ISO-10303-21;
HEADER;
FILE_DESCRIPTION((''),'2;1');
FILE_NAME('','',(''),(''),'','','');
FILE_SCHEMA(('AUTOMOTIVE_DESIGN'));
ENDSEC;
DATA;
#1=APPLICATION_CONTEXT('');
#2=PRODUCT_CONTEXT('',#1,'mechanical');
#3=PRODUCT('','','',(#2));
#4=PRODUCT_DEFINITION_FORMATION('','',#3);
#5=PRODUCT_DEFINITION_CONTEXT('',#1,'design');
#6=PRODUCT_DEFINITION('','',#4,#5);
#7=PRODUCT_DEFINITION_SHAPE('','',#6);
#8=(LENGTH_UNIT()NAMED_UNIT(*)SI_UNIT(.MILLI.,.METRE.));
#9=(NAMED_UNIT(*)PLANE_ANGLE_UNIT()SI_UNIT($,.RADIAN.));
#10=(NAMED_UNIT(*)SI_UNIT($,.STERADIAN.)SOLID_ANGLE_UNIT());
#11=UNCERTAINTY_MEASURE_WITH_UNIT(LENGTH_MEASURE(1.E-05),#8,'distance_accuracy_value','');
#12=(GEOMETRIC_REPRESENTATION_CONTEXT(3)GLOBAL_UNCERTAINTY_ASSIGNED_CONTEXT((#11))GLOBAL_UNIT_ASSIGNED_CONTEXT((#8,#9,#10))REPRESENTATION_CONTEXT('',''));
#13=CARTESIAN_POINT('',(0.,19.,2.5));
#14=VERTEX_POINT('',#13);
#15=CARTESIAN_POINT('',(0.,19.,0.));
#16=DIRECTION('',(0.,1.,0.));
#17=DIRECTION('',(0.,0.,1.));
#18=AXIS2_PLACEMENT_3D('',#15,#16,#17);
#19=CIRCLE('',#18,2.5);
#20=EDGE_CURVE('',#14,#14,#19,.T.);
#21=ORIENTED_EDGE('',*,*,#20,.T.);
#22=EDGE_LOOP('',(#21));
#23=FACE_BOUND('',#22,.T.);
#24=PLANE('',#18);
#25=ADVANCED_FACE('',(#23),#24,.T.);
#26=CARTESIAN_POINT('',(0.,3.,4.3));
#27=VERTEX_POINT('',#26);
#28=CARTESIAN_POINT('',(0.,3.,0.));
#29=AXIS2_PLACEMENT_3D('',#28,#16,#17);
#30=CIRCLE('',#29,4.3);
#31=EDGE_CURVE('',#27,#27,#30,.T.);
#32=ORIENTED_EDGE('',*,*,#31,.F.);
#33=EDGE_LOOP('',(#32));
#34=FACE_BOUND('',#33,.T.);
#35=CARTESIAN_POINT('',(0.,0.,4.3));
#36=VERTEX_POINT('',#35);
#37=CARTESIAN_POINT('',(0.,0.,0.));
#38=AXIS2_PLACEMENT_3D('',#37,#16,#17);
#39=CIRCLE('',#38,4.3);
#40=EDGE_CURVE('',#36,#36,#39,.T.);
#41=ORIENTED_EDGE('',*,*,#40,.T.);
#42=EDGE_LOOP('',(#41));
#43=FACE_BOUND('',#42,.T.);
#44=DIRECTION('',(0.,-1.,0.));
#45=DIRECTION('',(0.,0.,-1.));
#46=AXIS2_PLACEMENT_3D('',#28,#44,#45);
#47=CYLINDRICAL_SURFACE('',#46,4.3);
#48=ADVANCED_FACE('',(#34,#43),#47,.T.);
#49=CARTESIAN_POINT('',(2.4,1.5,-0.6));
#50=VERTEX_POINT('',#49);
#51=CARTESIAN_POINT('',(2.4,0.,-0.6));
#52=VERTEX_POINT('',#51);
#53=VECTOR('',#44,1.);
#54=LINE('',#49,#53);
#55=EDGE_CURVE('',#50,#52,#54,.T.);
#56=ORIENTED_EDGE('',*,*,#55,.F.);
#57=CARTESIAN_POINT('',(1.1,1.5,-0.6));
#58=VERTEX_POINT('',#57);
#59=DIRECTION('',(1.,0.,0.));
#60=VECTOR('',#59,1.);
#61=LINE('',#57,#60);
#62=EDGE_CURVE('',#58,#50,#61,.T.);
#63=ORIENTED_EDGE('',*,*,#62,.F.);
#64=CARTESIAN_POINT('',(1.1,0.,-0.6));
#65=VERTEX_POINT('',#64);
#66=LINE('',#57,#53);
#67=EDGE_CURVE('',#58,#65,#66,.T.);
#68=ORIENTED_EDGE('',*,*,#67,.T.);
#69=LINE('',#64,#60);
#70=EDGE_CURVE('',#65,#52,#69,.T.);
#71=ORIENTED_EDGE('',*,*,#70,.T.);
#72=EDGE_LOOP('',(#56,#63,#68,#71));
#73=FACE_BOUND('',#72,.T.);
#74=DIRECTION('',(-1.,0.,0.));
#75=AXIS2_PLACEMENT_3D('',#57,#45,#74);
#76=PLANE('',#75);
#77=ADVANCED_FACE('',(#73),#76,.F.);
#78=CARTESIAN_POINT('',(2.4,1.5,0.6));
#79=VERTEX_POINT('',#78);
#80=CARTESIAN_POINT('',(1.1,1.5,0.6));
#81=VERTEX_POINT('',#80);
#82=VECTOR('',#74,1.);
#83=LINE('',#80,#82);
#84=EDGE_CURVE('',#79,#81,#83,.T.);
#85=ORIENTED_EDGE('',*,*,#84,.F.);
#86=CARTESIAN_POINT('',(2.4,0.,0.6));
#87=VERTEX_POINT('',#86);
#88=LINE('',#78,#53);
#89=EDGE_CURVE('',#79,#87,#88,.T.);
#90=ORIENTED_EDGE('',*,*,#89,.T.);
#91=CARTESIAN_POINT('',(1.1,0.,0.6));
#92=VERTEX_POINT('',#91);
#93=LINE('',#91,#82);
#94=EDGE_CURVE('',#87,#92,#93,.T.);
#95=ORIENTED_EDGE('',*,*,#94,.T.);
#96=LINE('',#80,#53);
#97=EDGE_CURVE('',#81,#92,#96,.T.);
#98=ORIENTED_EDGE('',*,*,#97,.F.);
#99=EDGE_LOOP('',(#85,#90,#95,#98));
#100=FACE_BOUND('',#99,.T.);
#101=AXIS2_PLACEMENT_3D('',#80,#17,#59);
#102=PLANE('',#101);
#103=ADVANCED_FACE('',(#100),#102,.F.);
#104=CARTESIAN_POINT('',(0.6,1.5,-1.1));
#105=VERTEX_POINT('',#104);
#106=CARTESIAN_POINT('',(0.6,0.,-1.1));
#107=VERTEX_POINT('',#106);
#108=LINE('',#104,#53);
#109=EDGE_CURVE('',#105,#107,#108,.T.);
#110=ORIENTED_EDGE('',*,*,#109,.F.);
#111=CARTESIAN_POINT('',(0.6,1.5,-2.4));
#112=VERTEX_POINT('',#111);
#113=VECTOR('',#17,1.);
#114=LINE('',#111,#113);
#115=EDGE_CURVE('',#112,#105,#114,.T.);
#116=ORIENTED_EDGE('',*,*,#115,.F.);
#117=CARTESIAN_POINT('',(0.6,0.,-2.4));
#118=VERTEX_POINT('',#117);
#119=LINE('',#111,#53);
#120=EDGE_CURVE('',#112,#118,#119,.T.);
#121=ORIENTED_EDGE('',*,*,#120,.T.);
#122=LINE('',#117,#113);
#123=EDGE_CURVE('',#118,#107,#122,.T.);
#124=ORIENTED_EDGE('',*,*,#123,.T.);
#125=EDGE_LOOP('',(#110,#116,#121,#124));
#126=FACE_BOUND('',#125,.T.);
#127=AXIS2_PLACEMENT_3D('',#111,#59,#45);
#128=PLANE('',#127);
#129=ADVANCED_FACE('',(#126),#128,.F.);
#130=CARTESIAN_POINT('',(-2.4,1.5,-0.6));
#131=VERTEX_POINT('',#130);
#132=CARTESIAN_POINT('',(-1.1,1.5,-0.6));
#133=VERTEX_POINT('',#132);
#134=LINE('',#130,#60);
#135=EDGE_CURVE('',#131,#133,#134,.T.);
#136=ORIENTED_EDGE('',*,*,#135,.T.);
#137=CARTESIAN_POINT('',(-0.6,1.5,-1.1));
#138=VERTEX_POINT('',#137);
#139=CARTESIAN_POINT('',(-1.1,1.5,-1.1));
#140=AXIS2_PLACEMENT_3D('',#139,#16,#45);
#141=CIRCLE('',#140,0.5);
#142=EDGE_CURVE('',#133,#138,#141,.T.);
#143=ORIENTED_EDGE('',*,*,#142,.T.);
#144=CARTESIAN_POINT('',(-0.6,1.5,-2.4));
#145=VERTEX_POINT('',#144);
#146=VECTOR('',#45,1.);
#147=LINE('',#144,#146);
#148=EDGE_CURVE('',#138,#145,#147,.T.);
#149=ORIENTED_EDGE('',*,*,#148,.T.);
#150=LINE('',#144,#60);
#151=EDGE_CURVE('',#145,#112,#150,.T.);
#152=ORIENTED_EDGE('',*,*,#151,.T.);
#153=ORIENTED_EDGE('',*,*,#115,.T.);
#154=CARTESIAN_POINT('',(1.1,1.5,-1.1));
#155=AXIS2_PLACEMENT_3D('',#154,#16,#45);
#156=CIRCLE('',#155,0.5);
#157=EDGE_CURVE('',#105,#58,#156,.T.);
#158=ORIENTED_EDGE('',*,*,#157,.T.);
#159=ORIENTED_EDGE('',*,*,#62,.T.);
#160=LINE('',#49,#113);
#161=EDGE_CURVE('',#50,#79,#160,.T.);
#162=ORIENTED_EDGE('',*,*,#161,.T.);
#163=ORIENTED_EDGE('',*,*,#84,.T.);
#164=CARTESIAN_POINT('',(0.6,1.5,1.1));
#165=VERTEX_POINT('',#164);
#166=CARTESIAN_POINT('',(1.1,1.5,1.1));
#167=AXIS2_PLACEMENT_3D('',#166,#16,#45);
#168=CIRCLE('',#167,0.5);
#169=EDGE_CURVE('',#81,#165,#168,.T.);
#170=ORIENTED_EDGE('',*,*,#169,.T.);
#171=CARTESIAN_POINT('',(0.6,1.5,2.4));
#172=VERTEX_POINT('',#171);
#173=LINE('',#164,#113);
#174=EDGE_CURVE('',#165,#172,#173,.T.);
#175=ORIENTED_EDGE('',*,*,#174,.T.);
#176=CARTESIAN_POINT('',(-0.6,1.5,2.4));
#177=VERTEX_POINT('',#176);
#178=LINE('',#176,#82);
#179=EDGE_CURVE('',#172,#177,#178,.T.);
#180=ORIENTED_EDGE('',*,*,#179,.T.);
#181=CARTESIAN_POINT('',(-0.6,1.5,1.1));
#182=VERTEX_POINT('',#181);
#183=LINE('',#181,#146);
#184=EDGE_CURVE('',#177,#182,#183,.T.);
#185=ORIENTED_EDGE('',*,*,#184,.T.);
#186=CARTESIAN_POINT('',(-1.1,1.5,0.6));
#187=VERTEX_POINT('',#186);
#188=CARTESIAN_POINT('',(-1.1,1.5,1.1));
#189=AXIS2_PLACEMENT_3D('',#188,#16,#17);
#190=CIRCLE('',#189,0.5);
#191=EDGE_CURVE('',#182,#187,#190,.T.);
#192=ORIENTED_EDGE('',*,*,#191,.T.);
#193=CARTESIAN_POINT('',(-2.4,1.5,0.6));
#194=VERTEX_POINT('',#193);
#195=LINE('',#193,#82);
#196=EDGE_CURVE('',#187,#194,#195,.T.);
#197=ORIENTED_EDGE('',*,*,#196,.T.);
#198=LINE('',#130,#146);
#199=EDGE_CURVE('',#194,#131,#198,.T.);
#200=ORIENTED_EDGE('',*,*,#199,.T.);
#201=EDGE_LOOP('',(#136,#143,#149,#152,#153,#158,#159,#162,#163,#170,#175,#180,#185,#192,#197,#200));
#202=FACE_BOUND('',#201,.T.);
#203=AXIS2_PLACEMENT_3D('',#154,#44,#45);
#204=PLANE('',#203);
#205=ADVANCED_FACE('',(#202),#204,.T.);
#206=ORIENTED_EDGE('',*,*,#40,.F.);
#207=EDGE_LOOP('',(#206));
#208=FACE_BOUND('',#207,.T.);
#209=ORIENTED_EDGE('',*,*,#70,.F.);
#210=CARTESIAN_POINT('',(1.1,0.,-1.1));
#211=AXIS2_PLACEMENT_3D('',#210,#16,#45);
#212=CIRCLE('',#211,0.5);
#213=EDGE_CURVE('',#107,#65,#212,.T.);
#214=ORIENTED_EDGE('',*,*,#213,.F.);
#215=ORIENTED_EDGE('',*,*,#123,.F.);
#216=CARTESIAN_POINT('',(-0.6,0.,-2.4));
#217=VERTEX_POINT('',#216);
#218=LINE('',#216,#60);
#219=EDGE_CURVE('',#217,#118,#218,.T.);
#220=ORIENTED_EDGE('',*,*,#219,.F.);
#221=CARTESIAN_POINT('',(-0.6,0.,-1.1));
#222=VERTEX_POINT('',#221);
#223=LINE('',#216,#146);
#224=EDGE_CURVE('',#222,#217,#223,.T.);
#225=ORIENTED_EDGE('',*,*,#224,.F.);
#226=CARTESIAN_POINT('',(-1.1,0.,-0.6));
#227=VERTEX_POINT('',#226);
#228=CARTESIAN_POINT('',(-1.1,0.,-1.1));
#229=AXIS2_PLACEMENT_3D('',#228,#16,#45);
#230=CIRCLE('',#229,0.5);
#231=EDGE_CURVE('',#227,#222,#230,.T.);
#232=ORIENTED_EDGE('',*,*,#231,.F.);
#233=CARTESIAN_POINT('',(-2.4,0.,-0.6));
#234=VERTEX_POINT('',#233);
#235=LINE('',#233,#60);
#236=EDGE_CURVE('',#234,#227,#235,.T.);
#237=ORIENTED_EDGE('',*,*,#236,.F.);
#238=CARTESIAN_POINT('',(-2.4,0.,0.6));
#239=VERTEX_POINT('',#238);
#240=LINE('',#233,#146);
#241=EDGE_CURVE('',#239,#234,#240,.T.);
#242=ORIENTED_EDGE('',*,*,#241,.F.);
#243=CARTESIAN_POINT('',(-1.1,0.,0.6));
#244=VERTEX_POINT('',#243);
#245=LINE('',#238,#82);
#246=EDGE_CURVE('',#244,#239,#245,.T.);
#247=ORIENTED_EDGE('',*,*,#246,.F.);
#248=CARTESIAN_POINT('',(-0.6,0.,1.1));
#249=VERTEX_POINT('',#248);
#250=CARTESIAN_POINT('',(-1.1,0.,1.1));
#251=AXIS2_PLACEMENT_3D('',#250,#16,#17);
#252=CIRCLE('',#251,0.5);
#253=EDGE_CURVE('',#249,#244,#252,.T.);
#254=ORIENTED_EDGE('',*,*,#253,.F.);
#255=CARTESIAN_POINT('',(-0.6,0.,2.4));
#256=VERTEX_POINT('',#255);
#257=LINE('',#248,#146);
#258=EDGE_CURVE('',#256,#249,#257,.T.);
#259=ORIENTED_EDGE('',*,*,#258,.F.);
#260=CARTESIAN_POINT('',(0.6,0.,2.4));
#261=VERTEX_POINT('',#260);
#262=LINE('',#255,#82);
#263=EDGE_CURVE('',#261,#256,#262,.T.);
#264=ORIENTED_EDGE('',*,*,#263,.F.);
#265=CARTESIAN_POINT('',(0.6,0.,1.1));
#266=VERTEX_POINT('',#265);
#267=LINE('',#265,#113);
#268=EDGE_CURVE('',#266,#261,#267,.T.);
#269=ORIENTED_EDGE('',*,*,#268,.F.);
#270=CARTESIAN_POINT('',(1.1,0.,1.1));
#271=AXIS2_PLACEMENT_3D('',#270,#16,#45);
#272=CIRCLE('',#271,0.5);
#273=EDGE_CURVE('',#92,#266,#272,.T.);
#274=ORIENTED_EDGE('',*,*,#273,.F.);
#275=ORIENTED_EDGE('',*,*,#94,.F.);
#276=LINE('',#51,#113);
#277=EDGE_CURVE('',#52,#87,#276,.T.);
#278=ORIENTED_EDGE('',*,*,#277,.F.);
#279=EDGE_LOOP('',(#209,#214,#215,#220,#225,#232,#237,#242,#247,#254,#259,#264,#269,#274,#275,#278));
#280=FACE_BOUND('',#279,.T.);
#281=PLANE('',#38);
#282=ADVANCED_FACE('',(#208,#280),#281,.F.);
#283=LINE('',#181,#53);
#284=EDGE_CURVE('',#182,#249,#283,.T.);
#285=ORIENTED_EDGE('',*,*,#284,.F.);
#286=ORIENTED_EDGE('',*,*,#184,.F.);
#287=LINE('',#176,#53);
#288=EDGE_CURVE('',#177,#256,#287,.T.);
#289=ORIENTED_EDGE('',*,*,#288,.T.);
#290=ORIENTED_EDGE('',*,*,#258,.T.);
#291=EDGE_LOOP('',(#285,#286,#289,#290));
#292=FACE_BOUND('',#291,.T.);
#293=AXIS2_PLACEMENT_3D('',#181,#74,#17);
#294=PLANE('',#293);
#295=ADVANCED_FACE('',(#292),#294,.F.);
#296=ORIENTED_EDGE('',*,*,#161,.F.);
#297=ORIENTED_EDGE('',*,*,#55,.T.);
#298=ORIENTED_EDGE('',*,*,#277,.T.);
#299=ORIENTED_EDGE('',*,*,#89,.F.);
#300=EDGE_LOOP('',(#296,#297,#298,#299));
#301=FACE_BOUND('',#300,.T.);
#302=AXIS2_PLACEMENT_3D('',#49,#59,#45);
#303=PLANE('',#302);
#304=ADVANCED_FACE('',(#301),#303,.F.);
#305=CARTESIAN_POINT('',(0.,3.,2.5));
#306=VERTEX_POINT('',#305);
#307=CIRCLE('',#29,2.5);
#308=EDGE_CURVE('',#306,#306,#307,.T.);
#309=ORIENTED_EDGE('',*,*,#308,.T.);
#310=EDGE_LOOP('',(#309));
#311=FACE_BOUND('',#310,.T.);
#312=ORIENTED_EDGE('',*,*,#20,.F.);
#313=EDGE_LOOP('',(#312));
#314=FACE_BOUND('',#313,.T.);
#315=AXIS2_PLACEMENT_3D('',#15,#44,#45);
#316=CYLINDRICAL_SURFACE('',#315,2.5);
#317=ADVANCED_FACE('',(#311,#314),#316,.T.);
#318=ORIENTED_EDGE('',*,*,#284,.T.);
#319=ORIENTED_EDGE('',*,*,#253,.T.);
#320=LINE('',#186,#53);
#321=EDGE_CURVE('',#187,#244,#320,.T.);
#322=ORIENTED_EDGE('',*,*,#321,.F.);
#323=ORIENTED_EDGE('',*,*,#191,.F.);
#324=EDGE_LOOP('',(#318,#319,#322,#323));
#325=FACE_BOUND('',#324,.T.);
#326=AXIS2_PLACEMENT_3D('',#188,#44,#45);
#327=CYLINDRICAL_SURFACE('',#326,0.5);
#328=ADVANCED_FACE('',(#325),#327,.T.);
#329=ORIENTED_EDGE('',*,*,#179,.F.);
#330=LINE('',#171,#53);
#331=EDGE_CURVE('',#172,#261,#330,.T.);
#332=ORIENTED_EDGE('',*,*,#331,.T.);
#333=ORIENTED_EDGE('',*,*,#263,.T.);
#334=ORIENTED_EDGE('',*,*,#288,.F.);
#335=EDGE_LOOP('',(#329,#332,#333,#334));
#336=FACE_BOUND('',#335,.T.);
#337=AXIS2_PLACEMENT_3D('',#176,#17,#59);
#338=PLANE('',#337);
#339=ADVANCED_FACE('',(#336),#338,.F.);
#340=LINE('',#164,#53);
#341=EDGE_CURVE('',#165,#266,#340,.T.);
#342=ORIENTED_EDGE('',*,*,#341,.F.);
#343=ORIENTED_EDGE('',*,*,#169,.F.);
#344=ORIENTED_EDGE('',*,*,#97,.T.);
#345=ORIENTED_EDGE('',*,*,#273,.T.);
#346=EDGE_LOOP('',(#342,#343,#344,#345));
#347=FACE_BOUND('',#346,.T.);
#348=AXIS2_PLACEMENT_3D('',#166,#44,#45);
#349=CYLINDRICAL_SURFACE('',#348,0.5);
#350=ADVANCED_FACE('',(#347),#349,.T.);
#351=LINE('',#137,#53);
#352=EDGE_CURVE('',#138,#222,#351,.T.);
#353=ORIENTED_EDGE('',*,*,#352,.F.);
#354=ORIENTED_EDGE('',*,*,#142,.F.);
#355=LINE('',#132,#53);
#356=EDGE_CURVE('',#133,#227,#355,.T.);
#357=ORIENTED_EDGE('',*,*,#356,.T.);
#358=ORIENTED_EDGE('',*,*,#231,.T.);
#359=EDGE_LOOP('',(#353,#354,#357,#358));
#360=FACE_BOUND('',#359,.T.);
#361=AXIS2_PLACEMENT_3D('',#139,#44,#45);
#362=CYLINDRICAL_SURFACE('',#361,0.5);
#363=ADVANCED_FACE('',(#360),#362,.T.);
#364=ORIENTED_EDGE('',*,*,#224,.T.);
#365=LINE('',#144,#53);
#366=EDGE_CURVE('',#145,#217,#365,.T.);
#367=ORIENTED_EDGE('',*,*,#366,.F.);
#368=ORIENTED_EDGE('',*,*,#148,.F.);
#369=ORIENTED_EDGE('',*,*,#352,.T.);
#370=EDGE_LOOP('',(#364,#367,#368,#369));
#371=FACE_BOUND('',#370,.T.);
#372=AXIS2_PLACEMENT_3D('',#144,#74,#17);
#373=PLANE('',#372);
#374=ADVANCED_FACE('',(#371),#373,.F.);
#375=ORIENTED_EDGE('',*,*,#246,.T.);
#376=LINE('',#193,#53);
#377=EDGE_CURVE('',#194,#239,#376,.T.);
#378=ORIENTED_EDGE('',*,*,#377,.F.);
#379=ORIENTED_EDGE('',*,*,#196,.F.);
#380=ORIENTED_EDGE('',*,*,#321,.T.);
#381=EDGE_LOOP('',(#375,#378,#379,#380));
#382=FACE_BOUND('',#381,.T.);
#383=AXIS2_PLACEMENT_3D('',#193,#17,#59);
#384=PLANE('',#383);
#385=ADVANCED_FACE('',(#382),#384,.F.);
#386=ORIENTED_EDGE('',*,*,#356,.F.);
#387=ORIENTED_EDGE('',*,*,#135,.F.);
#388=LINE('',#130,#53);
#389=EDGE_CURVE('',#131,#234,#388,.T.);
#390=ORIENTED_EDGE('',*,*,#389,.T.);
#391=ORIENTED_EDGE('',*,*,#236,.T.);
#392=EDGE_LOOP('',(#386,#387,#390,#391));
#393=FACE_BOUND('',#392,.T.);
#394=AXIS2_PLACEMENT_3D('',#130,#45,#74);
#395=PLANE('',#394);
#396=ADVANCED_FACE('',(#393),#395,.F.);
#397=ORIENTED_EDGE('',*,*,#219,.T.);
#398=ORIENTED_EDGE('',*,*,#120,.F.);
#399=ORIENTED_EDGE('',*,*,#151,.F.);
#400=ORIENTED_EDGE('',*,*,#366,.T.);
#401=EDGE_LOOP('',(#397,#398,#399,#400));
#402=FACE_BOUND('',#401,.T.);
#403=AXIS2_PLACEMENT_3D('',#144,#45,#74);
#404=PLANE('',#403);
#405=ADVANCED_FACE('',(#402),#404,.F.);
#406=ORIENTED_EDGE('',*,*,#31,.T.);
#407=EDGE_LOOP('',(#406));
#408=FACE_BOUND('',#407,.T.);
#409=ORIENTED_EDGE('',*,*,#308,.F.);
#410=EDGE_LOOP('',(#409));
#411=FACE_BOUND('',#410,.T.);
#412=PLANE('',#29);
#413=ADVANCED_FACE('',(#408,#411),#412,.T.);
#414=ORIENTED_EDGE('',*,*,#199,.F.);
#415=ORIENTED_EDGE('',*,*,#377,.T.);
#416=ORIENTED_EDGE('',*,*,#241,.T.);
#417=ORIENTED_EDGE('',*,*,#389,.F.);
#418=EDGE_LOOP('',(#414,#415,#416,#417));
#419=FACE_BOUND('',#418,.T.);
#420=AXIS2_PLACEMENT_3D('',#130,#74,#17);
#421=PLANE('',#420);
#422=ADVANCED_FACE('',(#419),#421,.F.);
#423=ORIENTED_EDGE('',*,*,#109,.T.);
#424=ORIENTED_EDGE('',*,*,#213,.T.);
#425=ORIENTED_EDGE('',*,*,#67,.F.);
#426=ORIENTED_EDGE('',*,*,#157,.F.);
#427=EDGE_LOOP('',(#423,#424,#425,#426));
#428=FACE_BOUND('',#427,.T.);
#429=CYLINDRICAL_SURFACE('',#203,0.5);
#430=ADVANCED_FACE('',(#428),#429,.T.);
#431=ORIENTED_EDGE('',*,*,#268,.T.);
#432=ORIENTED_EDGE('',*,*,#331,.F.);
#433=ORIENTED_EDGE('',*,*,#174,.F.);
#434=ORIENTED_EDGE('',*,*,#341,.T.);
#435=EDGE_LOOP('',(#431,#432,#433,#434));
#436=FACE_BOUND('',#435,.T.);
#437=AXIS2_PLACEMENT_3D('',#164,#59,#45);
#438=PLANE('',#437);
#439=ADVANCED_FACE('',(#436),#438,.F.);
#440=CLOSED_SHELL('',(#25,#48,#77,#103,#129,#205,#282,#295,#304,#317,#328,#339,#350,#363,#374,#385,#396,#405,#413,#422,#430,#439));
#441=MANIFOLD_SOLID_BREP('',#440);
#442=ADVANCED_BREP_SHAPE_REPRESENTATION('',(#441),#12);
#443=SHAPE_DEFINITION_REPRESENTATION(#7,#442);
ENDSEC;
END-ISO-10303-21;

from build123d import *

# Parameters (mm, degrees)
SKETCH_1_R          = 4.3
EXTRUDE_1_DEPTH     = 3
SKETCH_2_R          = 2.5
EXTRUDE_2_DEPTH     = 16
CUT_EXTRUDE_1_DEPTH = 1.5


with BuildPart() as part:
    # 草图1 → 凸台-拉伸1 (new body)
    with BuildSketch(Plane(origin=(0, 0, 0), x_dir=(1, 0, 0), z_dir=(0, 1, 0))):
        Circle(SKETCH_1_R)
    extrude(amount=EXTRUDE_1_DEPTH)

    # 草图2 → 凸台-拉伸2 (add)
    with BuildSketch(Plane(origin=(0, 3, 0), x_dir=(1, 0, 0), z_dir=(0, 1, 0))):
        Circle(SKETCH_2_R)
    extrude(amount=EXTRUDE_2_DEPTH)

    # 草图3 → 切除-拉伸1 (cut)
    with BuildSketch(Plane.XZ):
        with BuildLine():
            Line((-0.6, 1.1), (-0.6, 2.4))
            Line((-0.6, 2.4), (0.6, 2.4))
            Line((0.6, 2.4), (0.6, 1.1))
            ThreePointArc((0.6, 1.1), (0.746446609, 0.746446609), (1.1, 0.6))
            Line((1.1, 0.6), (2.4, 0.6))
            Line((2.4, 0.6), (2.4, -0.6))
            Line((2.4, -0.6), (1.1, -0.6))
            ThreePointArc((1.1, -0.6), (0.746446609, -0.746446609), (0.6, -1.1))
            Line((0.6, -1.1), (0.6, -2.4))
            Line((0.6, -2.4), (-0.6, -2.4))
            Line((-0.6, -2.4), (-0.6, -1.1))
            ThreePointArc((-0.6, -1.1), (-0.746446609, -0.746446609), (-1.1, -0.6))
            Line((-1.1, -0.6), (-2.4, -0.6))
            Line((-2.4, -0.6), (-2.4, 0.6))
            Line((-2.4, 0.6), (-1.1, 0.6))
            ThreePointArc((-1.1, 0.6), (-0.746446609, 0.746446609), (-0.6, 1.1))
        make_face()
    extrude(amount=-CUT_EXTRUDE_1_DEPTH, mode=Mode.SUBTRACT)


solid = part.part
